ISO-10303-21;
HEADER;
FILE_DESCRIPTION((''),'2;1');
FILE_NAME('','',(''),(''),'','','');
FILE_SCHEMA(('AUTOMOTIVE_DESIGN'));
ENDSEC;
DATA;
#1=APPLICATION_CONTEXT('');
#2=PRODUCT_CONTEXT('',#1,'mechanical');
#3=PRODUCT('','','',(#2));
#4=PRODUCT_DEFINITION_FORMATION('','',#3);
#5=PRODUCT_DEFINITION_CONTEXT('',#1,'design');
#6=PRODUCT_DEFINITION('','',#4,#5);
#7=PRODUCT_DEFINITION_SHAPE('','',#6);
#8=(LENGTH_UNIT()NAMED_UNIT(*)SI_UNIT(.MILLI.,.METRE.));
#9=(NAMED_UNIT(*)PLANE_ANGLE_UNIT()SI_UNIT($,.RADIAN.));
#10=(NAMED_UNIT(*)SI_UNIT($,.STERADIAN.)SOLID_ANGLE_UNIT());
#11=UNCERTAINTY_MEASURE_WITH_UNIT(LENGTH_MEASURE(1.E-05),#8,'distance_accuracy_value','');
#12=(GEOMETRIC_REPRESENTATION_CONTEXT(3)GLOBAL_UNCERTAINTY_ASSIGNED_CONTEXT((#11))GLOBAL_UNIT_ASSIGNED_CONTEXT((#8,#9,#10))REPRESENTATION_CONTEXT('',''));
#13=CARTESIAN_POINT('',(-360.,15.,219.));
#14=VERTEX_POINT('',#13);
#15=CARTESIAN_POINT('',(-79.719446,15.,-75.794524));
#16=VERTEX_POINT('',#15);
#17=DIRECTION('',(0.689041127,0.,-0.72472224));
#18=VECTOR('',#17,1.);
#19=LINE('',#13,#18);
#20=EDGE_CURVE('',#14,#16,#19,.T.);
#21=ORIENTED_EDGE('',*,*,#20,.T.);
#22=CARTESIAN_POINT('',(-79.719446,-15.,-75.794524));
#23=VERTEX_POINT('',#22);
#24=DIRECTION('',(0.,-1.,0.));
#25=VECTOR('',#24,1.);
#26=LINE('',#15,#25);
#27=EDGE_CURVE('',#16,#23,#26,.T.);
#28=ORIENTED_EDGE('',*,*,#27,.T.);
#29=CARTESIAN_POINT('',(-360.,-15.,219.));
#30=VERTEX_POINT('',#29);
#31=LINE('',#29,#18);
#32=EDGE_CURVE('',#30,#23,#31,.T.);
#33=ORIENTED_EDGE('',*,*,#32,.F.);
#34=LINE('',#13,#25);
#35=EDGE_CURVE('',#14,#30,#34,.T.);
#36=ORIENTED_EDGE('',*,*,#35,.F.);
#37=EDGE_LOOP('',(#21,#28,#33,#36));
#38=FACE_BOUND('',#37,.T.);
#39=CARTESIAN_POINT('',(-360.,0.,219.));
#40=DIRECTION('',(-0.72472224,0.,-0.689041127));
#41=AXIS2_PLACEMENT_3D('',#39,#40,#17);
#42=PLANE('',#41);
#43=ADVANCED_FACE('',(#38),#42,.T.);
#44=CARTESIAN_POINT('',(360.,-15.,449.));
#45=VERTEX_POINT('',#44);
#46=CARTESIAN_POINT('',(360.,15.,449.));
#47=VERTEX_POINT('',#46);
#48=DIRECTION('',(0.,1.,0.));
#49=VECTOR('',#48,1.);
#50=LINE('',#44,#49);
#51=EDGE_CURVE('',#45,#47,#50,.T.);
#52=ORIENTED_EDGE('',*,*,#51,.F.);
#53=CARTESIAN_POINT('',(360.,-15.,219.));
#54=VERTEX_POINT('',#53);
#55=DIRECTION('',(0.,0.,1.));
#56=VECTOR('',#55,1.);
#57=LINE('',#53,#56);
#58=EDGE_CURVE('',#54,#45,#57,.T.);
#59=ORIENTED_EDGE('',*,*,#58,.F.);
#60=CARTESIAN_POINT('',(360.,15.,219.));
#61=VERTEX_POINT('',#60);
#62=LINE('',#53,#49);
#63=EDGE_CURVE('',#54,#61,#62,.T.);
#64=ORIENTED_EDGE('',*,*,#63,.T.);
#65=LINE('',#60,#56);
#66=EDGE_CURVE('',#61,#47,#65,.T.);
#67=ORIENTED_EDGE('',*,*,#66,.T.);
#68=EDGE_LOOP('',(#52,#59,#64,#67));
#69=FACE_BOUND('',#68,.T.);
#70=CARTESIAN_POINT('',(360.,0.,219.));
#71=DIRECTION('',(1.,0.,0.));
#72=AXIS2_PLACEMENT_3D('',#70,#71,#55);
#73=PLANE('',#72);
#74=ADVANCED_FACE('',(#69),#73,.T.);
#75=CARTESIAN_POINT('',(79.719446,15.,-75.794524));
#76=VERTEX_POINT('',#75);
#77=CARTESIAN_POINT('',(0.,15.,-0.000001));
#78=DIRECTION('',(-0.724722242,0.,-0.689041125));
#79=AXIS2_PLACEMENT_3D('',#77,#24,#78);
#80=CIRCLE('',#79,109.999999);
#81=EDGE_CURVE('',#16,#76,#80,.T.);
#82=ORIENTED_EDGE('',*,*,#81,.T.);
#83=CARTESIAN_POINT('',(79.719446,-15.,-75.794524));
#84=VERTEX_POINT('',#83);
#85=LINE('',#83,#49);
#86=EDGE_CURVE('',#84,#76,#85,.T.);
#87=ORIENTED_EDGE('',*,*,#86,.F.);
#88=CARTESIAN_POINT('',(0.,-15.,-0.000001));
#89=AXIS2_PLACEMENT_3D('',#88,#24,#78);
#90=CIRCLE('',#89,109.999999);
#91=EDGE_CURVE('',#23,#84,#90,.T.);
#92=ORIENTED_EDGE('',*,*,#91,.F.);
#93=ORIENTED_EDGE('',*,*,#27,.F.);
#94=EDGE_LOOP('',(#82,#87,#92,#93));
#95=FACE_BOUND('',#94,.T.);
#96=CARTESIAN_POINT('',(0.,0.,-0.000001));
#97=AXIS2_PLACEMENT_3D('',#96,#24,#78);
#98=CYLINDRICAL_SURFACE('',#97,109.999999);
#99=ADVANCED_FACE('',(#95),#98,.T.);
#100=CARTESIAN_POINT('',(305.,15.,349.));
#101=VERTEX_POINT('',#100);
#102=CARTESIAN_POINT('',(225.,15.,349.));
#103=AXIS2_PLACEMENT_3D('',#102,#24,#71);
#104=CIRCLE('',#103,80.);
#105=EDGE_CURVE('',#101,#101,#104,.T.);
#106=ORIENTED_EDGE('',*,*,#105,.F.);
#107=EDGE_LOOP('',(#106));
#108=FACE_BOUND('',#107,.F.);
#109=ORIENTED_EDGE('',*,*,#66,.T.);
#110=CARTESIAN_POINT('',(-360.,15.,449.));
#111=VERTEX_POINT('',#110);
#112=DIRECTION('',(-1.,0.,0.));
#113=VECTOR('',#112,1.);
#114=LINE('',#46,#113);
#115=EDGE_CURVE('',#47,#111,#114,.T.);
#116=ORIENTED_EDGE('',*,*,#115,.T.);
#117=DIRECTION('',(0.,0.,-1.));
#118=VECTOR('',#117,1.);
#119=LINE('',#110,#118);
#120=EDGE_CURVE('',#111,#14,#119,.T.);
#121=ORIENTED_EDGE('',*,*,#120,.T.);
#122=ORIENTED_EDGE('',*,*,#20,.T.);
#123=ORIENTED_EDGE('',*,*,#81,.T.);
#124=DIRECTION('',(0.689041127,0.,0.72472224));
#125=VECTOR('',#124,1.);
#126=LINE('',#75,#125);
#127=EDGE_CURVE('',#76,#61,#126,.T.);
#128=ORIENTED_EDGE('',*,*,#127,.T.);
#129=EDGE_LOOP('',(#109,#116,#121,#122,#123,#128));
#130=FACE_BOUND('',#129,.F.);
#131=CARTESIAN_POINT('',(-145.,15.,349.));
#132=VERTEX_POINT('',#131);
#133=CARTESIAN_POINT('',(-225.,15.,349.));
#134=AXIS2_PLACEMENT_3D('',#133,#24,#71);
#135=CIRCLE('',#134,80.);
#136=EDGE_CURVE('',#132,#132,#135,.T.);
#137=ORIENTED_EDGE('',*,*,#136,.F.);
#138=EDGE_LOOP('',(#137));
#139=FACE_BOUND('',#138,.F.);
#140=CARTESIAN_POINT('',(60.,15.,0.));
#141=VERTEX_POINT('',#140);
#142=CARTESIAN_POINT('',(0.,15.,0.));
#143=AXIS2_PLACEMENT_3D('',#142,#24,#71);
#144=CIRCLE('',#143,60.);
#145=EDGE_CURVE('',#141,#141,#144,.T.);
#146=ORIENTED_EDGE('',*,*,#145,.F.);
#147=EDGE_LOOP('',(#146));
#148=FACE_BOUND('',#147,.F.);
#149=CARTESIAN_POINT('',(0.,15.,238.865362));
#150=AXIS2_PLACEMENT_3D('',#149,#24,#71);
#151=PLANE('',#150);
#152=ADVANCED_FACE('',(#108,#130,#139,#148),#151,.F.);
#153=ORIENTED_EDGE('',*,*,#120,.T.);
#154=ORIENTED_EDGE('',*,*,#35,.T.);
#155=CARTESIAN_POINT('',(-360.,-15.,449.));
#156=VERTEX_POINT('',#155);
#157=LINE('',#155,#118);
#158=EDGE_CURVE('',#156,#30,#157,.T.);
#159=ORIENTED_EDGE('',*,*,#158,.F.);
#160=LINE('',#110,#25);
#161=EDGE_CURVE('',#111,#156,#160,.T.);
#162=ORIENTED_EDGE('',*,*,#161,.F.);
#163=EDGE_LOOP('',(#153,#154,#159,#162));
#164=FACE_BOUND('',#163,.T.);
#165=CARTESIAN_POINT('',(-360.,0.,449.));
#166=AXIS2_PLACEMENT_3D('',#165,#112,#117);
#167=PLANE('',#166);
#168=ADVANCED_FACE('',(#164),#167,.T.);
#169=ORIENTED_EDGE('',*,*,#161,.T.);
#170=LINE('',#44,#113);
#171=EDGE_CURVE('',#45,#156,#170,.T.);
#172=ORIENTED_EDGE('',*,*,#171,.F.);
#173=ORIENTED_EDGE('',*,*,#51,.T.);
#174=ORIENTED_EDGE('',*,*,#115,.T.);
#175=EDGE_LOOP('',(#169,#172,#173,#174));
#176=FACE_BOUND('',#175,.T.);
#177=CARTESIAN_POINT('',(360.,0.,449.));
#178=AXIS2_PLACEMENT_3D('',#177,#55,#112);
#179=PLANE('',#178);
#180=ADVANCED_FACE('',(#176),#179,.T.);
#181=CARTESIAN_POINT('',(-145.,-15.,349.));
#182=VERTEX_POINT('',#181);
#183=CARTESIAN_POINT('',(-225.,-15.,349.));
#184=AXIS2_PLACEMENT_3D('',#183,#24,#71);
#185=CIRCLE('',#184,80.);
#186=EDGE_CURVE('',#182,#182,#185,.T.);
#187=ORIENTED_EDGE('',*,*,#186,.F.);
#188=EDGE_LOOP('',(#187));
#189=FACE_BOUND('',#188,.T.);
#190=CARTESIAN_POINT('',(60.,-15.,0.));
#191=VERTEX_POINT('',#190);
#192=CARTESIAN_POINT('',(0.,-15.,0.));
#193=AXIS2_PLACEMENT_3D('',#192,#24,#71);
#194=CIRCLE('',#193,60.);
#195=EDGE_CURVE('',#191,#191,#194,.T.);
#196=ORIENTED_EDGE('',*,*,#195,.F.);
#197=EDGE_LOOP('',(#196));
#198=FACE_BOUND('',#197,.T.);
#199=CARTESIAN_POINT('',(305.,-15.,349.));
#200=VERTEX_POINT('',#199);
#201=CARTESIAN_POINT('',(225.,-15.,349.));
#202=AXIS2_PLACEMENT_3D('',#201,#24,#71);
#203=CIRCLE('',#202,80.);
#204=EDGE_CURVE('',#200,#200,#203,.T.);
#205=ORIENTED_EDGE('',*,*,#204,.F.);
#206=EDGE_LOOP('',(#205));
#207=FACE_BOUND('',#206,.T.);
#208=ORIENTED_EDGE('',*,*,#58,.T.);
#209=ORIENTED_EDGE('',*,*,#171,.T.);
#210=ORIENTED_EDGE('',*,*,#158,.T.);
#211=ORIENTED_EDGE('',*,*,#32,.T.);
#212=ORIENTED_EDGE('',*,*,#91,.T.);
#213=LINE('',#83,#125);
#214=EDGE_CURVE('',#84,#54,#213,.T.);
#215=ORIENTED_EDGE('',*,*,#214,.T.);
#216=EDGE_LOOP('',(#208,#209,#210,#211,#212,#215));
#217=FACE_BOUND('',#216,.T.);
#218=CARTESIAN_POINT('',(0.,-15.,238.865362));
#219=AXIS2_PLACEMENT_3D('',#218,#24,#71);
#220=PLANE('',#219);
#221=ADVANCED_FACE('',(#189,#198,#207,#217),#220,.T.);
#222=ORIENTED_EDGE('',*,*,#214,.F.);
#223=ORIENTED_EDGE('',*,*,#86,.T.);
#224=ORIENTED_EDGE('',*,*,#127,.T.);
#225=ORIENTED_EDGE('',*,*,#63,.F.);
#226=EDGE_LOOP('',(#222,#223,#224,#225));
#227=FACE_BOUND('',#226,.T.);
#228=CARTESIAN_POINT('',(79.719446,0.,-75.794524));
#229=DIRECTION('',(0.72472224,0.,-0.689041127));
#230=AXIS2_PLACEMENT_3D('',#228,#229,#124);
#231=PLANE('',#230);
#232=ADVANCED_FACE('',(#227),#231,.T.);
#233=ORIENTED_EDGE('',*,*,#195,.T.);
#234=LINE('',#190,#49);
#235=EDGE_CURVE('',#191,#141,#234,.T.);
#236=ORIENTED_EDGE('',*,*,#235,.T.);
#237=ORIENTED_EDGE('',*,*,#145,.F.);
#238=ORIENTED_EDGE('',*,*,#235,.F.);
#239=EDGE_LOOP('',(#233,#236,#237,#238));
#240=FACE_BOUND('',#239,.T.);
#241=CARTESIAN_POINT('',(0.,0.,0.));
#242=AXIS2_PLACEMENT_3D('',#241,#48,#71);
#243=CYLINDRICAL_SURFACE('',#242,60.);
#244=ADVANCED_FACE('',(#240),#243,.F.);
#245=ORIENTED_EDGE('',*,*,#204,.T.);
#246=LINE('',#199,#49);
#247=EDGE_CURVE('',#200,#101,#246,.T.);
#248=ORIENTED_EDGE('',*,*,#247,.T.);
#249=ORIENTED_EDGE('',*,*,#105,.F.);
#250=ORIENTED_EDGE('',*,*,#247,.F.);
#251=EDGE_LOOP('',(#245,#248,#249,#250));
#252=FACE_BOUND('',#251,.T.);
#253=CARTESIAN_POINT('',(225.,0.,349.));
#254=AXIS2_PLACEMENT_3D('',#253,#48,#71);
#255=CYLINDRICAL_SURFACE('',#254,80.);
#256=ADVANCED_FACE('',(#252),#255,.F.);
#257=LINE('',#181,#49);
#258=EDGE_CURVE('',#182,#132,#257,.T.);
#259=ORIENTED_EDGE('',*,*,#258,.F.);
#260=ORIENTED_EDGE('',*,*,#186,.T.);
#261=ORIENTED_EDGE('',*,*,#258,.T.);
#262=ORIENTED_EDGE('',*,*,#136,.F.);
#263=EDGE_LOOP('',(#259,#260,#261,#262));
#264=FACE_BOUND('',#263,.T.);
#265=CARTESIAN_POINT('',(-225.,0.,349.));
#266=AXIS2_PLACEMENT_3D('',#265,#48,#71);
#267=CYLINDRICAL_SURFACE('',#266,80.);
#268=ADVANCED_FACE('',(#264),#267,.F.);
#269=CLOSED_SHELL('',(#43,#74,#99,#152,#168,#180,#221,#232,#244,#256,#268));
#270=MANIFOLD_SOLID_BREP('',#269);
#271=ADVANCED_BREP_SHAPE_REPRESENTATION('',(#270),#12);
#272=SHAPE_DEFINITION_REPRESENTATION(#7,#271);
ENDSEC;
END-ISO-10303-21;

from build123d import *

# Parameters (mm, degrees)
F0_R     = 60
F0_R_2   = 80
F1_DEPTH = 15


with BuildPart() as f1:
    # F0 (on Front) → F1 (new body, symmetric)
    with BuildSketch(Plane.XZ):
        with BuildLine():
            Line((360, 449), (-360, 449))
            Line((-360, 449), (-360, 219))
            Line((-360, 219), (-79.719446, -75.794524))
            ThreePointArc((-79.719446, -75.794524), (0, -110), (79.719446, -75.794524))
            Line((79.719446, -75.794524), (360, 219))
            Line((360, 219), (360, 449))
        make_face()
        Circle(F0_R, mode=Mode.SUBTRACT)
        with Locations((-225, 349)):
            Circle(F0_R_2, mode=Mode.SUBTRACT)
        with Locations((225, 349)):
            Circle(F0_R_2, mode=Mode.SUBTRACT)
    extrude(amount=F1_DEPTH, both=True)


solid = f1.part
